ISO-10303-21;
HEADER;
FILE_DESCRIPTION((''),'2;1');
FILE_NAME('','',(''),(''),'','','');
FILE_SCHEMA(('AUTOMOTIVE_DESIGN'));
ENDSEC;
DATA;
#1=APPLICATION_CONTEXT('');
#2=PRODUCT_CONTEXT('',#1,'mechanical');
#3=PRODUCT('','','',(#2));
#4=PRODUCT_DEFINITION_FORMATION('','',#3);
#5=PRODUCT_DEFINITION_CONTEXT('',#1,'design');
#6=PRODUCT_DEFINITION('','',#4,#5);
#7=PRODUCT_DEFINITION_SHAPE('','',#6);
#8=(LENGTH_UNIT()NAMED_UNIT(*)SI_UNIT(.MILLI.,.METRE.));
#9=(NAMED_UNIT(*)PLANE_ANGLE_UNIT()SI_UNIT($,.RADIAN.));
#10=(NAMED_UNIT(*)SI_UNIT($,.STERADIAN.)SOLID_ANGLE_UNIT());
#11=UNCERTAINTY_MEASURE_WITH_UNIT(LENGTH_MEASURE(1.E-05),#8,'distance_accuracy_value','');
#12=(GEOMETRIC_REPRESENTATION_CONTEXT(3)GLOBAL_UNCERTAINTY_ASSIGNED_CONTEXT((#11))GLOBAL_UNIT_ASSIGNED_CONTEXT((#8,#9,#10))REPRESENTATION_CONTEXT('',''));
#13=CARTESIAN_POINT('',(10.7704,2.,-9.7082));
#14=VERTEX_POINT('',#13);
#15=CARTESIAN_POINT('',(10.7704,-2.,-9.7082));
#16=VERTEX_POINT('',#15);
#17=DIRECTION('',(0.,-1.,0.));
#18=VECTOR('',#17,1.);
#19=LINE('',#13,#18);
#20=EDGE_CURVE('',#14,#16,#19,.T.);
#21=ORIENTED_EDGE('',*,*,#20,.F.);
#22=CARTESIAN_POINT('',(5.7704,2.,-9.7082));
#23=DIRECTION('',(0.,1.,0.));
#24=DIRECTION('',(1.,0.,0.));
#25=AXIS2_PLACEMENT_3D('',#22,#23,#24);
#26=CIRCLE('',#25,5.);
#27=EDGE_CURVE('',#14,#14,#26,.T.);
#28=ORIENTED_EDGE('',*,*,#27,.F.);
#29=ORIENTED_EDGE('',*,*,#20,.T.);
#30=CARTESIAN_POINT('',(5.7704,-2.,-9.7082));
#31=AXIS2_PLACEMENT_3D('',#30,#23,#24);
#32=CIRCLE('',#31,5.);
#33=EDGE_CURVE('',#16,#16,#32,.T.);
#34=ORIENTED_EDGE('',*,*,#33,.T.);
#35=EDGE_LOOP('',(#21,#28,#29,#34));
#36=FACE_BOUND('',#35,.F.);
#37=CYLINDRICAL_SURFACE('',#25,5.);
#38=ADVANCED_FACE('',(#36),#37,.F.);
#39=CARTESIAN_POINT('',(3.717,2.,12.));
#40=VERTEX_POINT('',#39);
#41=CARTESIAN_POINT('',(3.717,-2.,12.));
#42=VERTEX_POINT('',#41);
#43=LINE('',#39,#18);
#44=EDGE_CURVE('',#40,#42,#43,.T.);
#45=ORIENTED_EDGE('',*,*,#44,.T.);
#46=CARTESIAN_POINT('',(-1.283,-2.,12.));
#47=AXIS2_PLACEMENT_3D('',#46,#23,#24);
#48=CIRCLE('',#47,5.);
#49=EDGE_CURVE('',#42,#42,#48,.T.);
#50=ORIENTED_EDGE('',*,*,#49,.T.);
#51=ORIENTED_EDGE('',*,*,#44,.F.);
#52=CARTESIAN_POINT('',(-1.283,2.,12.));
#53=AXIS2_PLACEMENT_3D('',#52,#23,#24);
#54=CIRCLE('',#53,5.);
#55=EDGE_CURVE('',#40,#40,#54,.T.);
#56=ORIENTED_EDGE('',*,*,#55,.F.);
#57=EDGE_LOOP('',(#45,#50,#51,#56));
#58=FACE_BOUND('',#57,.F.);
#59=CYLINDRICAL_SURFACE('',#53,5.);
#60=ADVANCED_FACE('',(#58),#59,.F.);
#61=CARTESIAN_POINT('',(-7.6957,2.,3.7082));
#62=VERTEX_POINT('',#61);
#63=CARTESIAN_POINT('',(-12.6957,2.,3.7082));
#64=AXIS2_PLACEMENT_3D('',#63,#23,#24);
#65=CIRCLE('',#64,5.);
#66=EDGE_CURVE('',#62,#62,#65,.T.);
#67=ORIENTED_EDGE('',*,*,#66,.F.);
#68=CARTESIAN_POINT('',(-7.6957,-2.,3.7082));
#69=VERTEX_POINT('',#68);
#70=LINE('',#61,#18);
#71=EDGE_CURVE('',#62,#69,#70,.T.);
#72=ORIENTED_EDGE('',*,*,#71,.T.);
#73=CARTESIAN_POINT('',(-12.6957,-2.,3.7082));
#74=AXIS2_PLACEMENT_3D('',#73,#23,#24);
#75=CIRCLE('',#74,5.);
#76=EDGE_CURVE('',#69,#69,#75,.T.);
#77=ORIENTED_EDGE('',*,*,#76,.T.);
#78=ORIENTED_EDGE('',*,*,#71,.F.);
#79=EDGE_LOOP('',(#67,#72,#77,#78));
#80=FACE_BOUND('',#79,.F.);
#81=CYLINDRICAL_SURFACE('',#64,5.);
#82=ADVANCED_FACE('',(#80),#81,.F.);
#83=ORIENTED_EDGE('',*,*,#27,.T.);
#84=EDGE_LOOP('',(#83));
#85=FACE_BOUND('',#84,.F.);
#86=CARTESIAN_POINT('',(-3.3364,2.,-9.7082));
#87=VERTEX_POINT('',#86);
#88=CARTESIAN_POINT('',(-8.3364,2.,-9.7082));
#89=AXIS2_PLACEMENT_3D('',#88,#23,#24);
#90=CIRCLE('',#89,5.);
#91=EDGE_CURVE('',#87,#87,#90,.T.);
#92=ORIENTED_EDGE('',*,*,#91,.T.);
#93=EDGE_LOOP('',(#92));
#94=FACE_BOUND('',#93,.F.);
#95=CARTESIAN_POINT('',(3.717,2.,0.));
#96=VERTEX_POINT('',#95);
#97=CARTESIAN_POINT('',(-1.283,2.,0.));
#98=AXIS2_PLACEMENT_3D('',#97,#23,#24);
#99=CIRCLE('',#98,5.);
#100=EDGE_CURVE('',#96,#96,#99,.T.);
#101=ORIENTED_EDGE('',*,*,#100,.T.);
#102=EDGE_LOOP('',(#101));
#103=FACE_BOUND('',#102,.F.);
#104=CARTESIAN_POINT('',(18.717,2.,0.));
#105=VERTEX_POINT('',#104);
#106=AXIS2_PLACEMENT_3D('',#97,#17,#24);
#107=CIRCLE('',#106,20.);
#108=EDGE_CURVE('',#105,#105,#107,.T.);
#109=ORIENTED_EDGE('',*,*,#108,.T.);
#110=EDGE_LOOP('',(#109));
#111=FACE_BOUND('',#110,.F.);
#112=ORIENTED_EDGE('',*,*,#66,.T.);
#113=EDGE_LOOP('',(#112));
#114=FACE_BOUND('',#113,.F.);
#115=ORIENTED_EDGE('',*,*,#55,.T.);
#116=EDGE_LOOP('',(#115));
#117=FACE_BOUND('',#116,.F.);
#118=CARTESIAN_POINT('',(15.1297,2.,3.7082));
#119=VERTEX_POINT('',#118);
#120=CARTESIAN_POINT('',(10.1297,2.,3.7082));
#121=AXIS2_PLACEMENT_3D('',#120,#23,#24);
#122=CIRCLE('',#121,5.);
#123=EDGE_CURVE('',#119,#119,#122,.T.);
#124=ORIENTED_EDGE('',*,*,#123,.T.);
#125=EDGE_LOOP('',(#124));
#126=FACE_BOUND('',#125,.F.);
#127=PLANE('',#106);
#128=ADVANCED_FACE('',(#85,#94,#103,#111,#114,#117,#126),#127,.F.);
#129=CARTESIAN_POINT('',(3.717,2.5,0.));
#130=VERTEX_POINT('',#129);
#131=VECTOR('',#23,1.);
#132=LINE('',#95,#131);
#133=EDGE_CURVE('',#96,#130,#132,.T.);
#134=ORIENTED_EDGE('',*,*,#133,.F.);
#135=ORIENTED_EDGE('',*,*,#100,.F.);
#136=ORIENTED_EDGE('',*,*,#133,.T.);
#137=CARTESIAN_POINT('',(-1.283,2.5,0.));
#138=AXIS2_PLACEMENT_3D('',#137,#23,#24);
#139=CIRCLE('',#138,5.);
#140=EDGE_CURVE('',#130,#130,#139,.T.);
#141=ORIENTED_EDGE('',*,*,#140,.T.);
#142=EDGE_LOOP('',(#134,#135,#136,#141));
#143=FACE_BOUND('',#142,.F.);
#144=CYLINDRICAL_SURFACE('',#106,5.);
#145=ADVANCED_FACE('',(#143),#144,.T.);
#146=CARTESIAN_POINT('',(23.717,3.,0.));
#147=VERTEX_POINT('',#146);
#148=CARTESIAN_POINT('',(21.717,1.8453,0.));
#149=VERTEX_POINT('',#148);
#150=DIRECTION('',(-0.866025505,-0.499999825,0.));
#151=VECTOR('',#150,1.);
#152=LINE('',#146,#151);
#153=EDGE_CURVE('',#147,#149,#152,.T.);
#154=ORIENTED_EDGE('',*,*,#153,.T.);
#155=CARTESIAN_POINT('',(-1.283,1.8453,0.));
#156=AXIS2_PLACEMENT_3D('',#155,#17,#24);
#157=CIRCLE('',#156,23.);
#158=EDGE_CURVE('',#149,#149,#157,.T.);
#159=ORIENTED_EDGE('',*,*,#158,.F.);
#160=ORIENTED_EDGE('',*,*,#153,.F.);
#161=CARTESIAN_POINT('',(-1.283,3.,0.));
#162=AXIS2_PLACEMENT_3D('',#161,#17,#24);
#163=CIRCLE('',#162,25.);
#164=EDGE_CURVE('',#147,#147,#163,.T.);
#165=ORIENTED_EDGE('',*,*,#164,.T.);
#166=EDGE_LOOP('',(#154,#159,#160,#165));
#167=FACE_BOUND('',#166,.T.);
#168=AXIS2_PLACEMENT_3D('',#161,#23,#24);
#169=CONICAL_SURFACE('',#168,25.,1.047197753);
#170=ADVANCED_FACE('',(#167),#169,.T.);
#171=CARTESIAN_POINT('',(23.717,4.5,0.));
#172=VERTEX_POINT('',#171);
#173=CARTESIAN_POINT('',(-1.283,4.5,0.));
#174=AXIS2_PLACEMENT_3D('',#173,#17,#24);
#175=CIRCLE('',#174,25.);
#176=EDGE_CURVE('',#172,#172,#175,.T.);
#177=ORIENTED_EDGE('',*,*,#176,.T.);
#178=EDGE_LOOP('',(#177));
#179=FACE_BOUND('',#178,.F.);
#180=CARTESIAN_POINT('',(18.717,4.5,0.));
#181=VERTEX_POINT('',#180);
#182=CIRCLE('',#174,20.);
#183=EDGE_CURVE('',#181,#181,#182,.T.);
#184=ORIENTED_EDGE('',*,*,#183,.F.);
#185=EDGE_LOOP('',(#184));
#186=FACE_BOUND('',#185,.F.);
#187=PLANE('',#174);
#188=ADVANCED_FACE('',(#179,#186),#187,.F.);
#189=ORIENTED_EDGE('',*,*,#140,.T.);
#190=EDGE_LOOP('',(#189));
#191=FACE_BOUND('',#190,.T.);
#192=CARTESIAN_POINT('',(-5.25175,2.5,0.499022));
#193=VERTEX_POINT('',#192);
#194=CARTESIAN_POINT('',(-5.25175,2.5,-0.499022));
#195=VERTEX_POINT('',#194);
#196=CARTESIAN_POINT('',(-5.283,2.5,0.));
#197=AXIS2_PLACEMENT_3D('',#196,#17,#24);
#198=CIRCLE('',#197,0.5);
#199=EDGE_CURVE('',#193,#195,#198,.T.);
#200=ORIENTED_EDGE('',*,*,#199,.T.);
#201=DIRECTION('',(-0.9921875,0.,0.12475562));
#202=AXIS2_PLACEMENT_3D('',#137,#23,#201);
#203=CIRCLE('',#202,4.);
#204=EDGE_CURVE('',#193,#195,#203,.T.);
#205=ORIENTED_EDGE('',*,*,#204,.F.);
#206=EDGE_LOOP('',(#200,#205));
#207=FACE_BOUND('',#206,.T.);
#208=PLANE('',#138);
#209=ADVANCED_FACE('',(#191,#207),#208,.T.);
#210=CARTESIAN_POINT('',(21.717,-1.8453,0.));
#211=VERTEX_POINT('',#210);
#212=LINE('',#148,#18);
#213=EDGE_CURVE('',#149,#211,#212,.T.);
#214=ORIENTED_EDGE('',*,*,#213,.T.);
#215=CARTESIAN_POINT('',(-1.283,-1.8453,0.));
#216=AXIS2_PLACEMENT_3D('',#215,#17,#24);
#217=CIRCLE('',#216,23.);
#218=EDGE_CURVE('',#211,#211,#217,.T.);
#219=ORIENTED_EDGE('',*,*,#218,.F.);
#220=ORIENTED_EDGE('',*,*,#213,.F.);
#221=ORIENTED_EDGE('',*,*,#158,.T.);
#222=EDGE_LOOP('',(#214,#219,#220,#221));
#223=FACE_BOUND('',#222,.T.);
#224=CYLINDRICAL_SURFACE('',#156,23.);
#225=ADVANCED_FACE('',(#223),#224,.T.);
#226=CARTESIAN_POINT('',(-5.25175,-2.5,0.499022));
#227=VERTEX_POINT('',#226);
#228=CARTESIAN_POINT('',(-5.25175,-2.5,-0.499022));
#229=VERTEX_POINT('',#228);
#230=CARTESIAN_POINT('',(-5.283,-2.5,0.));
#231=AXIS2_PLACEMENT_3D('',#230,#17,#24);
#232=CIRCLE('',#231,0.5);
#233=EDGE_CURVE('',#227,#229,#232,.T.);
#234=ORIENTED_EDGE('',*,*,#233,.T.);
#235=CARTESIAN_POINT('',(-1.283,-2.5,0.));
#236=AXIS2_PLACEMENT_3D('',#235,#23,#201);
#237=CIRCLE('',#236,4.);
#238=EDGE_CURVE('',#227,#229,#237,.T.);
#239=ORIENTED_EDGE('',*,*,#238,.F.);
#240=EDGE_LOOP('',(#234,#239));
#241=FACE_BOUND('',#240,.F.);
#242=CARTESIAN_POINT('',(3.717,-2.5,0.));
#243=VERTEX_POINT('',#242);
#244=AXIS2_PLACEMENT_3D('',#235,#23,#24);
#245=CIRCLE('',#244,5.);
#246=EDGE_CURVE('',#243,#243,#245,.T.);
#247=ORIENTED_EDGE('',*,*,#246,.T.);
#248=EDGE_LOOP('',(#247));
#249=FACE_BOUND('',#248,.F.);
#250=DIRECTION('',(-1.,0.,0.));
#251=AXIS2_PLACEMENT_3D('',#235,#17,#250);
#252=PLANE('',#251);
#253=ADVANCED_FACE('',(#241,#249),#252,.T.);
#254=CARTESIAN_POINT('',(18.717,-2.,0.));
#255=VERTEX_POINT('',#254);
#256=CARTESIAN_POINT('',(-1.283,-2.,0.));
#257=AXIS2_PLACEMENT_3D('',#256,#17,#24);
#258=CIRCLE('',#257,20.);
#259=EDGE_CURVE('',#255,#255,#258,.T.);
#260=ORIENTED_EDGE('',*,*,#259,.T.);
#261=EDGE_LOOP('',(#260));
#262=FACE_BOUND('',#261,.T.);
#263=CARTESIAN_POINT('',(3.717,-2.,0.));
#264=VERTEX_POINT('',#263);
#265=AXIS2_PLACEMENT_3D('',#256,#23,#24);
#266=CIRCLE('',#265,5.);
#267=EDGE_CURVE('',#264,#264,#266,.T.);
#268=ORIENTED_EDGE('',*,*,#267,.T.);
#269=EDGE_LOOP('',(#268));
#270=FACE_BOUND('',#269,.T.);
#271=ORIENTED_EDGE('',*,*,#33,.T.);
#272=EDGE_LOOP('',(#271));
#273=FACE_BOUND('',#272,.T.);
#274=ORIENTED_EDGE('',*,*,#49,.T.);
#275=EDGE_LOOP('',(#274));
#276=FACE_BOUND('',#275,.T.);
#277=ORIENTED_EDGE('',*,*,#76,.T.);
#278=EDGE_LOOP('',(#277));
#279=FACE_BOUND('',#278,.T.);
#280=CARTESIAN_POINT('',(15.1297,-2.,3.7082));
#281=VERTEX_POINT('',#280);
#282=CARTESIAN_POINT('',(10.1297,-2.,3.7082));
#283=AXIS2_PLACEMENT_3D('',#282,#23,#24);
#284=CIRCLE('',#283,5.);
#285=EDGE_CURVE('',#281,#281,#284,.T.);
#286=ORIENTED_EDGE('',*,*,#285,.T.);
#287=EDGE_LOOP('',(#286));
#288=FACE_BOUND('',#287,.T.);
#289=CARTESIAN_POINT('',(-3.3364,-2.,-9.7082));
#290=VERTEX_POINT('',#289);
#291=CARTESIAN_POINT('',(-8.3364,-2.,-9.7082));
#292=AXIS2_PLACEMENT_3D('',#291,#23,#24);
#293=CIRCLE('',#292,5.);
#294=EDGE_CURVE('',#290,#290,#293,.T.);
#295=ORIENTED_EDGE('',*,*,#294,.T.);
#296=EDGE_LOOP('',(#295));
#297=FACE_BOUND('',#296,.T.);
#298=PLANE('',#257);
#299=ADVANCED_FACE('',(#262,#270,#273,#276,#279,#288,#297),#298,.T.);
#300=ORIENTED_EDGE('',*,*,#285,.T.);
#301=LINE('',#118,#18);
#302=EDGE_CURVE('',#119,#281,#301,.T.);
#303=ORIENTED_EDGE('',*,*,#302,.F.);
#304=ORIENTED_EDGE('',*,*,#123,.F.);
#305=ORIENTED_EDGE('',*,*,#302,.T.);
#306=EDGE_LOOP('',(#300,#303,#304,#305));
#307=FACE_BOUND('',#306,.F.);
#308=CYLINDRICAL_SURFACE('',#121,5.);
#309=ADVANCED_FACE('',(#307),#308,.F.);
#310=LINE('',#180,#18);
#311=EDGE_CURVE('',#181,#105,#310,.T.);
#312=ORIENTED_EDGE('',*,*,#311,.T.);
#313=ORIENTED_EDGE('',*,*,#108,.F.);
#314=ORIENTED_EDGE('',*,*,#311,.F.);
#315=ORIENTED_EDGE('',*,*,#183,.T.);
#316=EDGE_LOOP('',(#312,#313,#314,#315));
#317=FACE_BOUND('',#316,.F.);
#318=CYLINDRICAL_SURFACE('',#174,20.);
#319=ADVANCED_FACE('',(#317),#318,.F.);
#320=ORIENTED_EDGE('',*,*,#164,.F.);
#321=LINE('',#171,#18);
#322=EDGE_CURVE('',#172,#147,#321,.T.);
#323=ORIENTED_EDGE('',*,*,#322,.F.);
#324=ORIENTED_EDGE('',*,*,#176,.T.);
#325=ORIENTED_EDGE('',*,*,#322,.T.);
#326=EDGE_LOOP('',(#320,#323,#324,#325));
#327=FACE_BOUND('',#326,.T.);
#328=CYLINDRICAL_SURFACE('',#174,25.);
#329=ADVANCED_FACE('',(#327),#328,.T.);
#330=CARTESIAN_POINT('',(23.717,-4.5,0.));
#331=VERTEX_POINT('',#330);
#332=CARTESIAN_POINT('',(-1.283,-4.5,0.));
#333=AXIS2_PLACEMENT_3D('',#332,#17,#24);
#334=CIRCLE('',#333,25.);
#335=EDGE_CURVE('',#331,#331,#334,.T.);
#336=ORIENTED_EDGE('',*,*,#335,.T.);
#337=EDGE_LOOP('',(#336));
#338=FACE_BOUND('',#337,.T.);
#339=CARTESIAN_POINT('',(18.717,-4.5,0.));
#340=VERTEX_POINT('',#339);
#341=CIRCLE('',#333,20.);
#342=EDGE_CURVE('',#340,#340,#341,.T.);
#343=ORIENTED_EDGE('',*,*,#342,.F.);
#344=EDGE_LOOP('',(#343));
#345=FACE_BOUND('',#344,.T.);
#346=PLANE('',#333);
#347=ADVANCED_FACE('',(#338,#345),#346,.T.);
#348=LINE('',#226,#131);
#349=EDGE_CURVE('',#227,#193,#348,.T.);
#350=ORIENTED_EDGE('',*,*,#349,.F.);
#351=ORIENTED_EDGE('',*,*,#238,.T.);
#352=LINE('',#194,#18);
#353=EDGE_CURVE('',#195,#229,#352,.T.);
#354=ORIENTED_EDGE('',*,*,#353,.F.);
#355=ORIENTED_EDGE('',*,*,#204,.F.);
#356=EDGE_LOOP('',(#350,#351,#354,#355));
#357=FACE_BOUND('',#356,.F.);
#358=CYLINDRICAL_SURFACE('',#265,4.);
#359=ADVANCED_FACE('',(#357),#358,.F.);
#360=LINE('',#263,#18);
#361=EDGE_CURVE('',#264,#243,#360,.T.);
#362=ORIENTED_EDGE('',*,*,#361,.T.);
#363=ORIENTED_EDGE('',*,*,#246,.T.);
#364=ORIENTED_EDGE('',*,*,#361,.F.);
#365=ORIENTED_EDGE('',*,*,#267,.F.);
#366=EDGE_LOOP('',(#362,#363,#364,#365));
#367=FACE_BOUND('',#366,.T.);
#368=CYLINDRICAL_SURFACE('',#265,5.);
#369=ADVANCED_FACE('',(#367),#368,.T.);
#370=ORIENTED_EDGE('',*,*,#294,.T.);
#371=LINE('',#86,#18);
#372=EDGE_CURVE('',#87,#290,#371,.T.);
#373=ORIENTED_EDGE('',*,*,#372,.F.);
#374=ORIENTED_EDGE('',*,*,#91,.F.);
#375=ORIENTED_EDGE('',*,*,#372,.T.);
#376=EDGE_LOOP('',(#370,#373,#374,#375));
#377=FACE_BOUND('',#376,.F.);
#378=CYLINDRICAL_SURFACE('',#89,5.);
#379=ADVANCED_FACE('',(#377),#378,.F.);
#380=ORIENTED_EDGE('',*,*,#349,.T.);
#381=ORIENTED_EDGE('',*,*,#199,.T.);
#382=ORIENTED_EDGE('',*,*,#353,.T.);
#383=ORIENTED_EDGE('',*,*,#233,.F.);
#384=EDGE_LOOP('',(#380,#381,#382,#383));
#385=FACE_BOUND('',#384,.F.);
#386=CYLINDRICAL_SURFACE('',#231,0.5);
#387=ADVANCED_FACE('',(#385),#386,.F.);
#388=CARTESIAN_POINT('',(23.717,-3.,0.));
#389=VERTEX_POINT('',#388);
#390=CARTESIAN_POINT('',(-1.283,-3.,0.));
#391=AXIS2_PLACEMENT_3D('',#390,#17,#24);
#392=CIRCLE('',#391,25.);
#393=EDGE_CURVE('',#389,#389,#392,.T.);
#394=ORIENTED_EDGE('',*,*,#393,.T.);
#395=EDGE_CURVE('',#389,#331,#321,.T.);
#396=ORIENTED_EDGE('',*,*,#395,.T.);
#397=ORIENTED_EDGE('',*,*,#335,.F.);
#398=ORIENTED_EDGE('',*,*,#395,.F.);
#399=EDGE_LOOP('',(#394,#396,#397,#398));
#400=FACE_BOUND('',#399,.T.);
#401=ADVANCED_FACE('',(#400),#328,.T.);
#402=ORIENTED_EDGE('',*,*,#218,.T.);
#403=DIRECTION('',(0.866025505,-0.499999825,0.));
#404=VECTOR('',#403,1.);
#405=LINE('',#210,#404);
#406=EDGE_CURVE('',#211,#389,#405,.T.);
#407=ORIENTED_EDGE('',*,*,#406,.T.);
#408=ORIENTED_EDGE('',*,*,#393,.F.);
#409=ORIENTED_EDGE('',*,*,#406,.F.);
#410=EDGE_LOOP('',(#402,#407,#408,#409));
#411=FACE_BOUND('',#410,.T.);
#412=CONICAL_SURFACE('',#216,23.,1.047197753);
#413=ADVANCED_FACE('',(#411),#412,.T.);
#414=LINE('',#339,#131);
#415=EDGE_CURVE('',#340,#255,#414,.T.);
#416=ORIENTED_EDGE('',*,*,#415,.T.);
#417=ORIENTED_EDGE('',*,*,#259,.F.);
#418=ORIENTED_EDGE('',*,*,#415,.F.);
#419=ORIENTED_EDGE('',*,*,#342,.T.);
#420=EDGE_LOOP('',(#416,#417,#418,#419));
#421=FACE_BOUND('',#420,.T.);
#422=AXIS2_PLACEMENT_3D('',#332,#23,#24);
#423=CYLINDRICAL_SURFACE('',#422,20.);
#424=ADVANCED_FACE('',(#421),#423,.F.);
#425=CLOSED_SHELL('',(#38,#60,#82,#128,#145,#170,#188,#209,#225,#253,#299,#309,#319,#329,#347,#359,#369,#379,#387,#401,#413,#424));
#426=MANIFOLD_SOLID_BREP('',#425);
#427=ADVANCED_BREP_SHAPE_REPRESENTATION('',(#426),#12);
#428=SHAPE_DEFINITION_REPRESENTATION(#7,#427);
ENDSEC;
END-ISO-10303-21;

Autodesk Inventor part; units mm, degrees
ref_plane "YZ Plane" through (0, 0, 0) normal (1, 0, 0) x (0, 1, 0)
ref_plane "XZ Plane" through (0, 0, 0) normal (0, 1, 0) x (-1, 0, 0)
ref_plane "XY Plane" through (0, 0, 0) normal (0, 0, 1) x (1, 0, 0)
sketch "Sketch1" plane through (0, 0, 0) normal (0, 0, 1) x (1, 0, 0)
  line L0 (-1.283, 24.9016) -> (-1.283, -22.4465)
  line L1 (23.717, 4.5) -> (23.717, -4.5)
  line L2 (23.717, -4.5) -> (18.717, -4.5)
  line L3 (18.717, -4.5) -> (18.717, -2)
  line L4 (18.717, -2) -> (2.717, -2)
  line L5 (23.717, 4.5) -> (18.717, 4.5)
  line L6 (18.717, 4.5) -> (18.717, 2)
  line L7 (18.717, 2) -> (2.717, 2)
  line L8 (2.717, 2) -> (2.717, -2)
  line L9 (23.717, 3) -> (21.717, 1.8453)
  line L10 (21.717, 1.8453) -> (21.717, -1.8453)
  line L11 (21.717, -1.8453) -> (23.717, -3)
  point P0 (0, 0)
  point P1 (18.717, 3.25)
  point P2 (18.717, -3.25)
  point P3 (2.717, 0)
  dimension "d0" = 50
  dimension "d1" = 8
  dimension "d2" = 5
  dimension "d3" = 9
  dimension "d4" = 1.5
  dimension "d5" = 1.5
  dimension "d6" = 60
  dimension "d7" = 2
  dimension "d20" = 4
revolve "Revolution1" add sketch "Sketch1" angle 360 about axis through (-1.283, 24.9016, 0) along (0, -1, 0) contours L1 L9 L10 L11 L2 L3 L4 L8 L7 L6 L5
sketch "Sketch2" plane through (-1.283, 2, 0) normal (0, 1, 0) x (1, 0, 0)
  circle A0 centre (0, 0) radius 12 construction
  circle A1 centre (0, -12) radius 5
  circle A2 centre (11.4127, -3.7082) radius 5
  circle A3 centre (0, 0) radius 12 construction
  circle A4 centre (7.0534, 9.7082) radius 5
  circle A5 centre (0, 0) radius 12 construction
  circle A6 centre (-7.0534, 9.7082) radius 5
  circle A7 centre (0, 0) radius 12 construction
  circle A8 centre (-11.4127, -3.7082) radius 5
  circle A9 centre (0, 0) radius 12 construction
  point P0 (1.283, 0)
  dimension "d9" = 24
  dimension "d10" = 10
  dimension "d13" = 360
extrude "Extrusion1" cut sketch "Sketch2" against normal through all
sketch "Sketch3" plane through (-1.283, 2, 0) normal (0, 1, 0) x (1, 0, 0)
  circle A0 centre (0, 0) radius 5
  circle A1 centre (0, 0) radius 4
  point P0 (1.283, 0)
  dimension "d17" = 10
extrude "Extrusion2" add sketch "Sketch3" along normal blind 0.5
mirror "Mirror1" about plane through (0, 0, 0) normal (0, 1, 0) of "Extrusion2"
sketch "Sketch4" plane through (-1.283, -2.5, 0) normal (0, -1, 0) x (1, 0, 0)
  circle A0 centre (0, 0) radius 4 projected
  circle A1 centre (-4, 0) radius 0.5
  point P0 (1.283, 0)
  point P1 (-3.9688, -0.499)
  point P2 (-3.9688, 0.499)
  dimension "d21" = 1
  dimension "d22" = 4
extrude "Extrusion3" cut sketch "Sketch4" against normal through all contours A0 A1 picked at (-4.1643, 0)
properties part number "Pulley lớn" material "Iron, Cast"
